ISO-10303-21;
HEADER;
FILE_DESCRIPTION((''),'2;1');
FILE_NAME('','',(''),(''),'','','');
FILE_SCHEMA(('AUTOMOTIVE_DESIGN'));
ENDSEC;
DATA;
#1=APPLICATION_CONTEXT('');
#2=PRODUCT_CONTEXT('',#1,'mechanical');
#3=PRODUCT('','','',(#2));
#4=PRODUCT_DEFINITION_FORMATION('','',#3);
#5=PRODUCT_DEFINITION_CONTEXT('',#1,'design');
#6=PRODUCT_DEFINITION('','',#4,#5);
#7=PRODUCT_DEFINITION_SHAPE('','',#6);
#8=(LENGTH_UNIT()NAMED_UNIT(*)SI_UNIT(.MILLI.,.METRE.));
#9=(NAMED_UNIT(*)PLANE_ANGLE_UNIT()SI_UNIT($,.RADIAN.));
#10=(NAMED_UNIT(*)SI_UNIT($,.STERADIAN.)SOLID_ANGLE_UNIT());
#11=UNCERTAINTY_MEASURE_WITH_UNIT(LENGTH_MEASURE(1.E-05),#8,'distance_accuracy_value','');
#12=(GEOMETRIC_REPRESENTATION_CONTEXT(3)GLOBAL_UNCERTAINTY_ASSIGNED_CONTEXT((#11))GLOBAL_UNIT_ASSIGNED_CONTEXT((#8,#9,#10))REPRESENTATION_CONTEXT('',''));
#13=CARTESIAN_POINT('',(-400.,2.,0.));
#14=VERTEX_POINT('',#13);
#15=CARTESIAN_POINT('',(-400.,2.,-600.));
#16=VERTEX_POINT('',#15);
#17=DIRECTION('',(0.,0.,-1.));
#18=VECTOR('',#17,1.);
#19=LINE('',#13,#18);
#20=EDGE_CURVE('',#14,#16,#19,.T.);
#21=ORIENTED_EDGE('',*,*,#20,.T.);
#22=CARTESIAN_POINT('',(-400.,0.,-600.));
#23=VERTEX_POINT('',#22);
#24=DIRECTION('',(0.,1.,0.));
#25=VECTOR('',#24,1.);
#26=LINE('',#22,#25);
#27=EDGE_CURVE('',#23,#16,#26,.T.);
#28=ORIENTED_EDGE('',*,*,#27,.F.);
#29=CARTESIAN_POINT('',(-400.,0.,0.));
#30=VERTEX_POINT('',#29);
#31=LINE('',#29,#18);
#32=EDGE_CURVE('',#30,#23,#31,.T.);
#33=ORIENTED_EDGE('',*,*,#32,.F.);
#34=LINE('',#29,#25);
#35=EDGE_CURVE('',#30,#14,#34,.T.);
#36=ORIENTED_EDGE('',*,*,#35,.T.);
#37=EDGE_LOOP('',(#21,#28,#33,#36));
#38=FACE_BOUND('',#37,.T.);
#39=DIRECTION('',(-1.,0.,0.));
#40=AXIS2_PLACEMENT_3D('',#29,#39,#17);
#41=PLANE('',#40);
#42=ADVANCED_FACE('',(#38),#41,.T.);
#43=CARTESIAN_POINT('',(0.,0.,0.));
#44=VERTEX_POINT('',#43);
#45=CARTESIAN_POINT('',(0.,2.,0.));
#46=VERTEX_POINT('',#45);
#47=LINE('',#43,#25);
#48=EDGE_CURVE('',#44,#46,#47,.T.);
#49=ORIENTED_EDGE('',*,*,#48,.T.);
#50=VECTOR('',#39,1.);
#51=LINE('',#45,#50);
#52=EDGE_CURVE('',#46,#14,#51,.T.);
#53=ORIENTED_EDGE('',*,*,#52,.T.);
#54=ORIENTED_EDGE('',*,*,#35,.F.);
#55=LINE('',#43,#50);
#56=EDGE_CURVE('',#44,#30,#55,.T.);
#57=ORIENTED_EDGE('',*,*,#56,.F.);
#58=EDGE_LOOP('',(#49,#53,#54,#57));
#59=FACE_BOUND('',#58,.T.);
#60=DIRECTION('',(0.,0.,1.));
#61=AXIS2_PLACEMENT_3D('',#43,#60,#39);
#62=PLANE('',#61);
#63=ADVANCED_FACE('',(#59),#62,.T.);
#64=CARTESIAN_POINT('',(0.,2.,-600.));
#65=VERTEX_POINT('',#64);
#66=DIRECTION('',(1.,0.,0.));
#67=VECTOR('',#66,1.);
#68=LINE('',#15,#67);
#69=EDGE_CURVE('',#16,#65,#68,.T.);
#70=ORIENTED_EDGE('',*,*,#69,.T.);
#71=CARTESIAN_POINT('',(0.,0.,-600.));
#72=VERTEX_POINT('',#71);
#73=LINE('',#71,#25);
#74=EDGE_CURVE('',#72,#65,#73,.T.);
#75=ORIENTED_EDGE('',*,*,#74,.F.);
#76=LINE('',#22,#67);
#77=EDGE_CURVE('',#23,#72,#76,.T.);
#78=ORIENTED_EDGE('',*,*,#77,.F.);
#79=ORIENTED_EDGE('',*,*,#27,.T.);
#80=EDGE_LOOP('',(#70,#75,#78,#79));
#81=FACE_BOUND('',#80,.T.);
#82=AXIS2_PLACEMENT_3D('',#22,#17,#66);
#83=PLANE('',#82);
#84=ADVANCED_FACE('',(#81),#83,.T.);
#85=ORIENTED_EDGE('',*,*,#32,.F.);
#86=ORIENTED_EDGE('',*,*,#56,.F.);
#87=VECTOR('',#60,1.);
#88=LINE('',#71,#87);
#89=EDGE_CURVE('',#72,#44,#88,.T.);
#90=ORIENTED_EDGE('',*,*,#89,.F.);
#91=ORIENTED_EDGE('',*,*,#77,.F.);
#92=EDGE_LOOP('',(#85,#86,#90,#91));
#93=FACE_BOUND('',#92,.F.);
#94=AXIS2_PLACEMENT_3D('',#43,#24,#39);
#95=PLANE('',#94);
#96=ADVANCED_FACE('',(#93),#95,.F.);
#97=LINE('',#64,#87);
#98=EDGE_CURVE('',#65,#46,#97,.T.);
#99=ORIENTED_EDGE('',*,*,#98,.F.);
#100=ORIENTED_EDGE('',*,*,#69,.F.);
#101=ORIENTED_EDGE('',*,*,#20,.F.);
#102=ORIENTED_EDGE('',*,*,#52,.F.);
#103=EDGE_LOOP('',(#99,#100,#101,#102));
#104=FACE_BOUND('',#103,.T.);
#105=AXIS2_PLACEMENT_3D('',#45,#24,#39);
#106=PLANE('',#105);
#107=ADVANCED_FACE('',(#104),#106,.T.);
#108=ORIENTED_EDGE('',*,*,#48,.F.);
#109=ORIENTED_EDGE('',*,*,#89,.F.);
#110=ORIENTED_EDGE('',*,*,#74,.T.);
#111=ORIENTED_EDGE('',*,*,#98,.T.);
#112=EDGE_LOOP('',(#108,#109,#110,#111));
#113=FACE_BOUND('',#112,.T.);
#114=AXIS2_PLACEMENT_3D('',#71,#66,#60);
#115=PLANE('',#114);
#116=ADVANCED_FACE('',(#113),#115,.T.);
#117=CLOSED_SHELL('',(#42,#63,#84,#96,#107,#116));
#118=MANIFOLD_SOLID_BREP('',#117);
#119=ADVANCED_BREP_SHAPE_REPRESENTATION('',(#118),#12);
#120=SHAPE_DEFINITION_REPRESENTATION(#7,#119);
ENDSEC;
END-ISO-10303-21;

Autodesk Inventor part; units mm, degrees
ref_plane "YZ Plane" through (0, 0, 0) normal (1, 0, 0) x (0, 1, 0)
ref_plane "XZ Plane" through (0, 0, 0) normal (0, 1, 0) x (-1, 0, 0)
ref_plane "XY Plane" through (0, 0, 0) normal (0, 0, 1) x (1, 0, 0)
sketch "スケッチ1" plane through (0, 0, 0) normal (0, 1, 0) x (-1, 0, 0)
  line L0 (0, 0) -> (400, 0)
  line L1 (400, 0) -> (400, -600)
  line L2 (400, -600) -> (0, -600)
  line L3 (0, -600) -> (0, 0)
  dimension "d0" = 400
  dimension "d1" = 600
extrude "押し出し1" add sketch "スケッチ1" along normal blind 2
properties part number "board"
